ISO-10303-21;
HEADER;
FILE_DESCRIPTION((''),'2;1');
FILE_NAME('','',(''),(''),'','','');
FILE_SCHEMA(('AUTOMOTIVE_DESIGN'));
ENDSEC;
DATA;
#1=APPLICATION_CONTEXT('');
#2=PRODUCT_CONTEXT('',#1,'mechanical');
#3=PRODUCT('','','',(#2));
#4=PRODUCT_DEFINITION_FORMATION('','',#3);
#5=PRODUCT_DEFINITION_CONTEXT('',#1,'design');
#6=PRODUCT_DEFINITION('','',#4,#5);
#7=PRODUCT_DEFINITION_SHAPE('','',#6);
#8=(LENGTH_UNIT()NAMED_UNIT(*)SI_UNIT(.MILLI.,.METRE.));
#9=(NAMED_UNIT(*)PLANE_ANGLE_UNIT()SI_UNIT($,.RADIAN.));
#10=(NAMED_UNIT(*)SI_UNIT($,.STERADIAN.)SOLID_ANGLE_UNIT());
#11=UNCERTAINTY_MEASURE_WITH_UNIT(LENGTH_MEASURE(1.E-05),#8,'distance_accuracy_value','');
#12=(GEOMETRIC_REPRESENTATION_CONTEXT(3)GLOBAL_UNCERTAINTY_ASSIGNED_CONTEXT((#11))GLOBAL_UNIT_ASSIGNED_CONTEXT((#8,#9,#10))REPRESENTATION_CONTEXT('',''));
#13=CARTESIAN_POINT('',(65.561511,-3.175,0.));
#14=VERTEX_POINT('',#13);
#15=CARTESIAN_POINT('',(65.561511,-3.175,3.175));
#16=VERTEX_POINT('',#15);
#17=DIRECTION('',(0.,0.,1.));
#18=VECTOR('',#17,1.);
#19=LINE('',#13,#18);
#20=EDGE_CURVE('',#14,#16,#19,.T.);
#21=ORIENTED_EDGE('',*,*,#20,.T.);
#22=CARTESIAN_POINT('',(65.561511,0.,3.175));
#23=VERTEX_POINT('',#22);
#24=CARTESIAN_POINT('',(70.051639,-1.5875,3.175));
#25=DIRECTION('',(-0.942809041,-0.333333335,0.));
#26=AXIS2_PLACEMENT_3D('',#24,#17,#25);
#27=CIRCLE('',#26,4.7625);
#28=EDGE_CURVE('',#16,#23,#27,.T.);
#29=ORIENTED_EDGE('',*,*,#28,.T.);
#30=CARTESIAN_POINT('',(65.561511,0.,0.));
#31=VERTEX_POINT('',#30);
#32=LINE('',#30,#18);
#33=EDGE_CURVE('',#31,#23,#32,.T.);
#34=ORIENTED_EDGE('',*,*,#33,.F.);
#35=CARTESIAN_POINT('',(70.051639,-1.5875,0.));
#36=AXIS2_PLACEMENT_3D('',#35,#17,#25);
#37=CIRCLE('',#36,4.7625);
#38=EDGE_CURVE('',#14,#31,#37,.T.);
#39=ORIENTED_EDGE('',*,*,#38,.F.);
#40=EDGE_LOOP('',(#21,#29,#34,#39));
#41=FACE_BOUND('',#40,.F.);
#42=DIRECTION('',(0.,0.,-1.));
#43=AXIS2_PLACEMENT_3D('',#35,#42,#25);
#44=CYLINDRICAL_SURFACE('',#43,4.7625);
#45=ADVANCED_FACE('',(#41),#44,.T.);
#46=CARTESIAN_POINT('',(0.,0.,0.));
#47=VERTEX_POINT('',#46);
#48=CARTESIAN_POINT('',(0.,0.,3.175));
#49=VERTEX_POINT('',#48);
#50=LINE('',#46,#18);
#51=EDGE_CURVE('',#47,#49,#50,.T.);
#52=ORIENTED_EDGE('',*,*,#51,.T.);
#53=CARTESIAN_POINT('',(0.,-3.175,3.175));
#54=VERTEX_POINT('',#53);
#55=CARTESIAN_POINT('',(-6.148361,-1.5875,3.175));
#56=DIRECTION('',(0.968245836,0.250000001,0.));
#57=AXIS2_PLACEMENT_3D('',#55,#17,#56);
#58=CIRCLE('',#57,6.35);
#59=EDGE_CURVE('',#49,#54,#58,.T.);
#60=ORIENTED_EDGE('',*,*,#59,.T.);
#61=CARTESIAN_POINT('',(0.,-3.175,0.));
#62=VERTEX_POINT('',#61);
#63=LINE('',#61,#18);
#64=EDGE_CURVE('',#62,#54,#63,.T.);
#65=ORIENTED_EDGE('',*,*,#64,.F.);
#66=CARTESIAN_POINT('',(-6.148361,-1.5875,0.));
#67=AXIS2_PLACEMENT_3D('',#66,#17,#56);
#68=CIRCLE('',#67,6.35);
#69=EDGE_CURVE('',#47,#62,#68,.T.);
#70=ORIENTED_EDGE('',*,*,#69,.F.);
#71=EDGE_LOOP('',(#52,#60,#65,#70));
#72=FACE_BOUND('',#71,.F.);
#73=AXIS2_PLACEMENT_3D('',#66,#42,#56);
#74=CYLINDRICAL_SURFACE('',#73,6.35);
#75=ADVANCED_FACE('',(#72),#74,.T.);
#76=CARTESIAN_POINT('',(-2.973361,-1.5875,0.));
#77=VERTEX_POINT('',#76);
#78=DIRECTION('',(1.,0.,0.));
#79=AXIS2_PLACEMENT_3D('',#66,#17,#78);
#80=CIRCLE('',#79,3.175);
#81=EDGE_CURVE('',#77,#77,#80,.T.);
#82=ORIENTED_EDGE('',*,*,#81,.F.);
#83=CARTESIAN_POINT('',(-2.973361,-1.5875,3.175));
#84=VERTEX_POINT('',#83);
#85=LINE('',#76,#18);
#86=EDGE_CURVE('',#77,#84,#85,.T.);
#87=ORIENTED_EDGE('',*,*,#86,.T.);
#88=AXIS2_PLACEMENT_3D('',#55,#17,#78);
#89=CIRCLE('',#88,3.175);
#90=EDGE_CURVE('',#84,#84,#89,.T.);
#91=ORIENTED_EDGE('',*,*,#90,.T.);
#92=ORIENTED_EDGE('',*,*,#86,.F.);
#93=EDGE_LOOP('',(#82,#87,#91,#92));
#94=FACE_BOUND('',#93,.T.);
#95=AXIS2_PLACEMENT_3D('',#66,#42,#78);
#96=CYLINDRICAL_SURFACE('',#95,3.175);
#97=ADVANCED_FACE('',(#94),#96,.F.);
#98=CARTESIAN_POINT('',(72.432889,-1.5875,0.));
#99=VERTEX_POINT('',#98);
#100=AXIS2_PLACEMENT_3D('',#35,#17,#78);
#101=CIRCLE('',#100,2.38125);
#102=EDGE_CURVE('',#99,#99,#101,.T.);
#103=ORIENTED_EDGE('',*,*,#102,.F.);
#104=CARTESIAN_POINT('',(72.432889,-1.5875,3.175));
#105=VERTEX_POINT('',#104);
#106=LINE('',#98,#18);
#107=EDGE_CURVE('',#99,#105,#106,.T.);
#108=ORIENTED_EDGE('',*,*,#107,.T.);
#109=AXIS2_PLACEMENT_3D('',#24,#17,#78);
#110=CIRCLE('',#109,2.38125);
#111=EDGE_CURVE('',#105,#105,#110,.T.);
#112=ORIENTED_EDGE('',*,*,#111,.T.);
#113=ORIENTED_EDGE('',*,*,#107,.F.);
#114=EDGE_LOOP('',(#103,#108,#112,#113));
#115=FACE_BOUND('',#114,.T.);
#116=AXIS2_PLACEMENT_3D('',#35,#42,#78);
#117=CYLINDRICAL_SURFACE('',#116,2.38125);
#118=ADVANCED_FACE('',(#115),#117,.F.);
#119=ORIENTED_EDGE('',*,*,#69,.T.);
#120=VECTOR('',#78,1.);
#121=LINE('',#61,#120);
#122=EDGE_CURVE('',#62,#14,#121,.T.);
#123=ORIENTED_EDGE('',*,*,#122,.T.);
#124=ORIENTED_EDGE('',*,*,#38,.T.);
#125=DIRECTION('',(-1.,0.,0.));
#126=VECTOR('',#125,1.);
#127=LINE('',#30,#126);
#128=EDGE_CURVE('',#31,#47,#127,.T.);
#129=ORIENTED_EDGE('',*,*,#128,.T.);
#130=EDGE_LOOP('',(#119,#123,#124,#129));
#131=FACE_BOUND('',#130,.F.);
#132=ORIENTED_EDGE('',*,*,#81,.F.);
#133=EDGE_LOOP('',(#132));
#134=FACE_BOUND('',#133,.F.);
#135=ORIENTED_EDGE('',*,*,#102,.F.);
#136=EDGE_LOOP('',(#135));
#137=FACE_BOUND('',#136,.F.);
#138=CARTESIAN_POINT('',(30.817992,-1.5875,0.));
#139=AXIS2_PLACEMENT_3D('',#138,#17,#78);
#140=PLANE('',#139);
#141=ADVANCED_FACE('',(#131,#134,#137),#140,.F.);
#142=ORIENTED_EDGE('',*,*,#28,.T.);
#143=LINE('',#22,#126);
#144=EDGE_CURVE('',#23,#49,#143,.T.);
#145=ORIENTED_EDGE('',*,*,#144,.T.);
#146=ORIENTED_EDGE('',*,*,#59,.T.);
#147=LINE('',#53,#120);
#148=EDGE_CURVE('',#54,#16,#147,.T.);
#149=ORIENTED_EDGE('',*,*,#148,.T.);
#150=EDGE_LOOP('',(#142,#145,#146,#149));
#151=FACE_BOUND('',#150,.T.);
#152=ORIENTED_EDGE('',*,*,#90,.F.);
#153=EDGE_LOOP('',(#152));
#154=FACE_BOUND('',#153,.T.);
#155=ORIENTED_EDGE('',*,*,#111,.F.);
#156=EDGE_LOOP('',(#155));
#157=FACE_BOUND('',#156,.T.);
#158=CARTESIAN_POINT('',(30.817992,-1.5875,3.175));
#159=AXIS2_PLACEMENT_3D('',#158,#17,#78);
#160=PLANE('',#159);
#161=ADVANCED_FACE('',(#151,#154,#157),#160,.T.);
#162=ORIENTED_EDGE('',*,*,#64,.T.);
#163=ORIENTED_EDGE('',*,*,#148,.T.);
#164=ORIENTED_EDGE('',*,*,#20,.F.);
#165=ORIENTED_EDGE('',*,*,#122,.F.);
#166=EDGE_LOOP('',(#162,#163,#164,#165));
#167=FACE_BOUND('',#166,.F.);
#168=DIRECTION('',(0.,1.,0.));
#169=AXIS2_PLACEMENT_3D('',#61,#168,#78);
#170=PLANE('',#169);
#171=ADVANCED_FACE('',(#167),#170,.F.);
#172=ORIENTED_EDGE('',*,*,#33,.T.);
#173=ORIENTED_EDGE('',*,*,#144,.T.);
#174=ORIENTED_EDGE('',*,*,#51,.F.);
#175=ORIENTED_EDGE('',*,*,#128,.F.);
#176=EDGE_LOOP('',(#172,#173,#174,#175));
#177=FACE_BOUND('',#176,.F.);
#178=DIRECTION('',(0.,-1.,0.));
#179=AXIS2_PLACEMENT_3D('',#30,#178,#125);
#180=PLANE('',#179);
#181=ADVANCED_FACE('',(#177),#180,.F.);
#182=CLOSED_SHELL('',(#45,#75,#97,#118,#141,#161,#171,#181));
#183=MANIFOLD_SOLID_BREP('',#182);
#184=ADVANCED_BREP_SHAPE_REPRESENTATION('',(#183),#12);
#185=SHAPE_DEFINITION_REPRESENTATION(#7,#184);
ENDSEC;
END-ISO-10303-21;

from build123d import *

# Parameters (mm, degrees)
F0_R     = 3.175
F0_R_2   = 2.38125
F1_DEPTH = 3.175


with BuildPart() as f1:
    # F0 (on Top) → F1 (new body)
    with BuildSketch(Plane.XY):
        with BuildLine():
            Line((65.561511, 0), (0, 0))
            ThreePointArc((0, 0), (-12.498361, -1.5875), (0, -3.175))
            Line((0, -3.175), (65.561511, -3.175))
            ThreePointArc((65.561511, -3.175), (74.814139, -1.5875), (65.561511, 0))
        make_face()
        with Locations((-6.148361, -1.5875)):
            Circle(F0_R, mode=Mode.SUBTRACT)
        with Locations((70.051639, -1.5875)):
            Circle(F0_R_2, mode=Mode.SUBTRACT)
    extrude(amount=F1_DEPTH)


solid = f1.part
